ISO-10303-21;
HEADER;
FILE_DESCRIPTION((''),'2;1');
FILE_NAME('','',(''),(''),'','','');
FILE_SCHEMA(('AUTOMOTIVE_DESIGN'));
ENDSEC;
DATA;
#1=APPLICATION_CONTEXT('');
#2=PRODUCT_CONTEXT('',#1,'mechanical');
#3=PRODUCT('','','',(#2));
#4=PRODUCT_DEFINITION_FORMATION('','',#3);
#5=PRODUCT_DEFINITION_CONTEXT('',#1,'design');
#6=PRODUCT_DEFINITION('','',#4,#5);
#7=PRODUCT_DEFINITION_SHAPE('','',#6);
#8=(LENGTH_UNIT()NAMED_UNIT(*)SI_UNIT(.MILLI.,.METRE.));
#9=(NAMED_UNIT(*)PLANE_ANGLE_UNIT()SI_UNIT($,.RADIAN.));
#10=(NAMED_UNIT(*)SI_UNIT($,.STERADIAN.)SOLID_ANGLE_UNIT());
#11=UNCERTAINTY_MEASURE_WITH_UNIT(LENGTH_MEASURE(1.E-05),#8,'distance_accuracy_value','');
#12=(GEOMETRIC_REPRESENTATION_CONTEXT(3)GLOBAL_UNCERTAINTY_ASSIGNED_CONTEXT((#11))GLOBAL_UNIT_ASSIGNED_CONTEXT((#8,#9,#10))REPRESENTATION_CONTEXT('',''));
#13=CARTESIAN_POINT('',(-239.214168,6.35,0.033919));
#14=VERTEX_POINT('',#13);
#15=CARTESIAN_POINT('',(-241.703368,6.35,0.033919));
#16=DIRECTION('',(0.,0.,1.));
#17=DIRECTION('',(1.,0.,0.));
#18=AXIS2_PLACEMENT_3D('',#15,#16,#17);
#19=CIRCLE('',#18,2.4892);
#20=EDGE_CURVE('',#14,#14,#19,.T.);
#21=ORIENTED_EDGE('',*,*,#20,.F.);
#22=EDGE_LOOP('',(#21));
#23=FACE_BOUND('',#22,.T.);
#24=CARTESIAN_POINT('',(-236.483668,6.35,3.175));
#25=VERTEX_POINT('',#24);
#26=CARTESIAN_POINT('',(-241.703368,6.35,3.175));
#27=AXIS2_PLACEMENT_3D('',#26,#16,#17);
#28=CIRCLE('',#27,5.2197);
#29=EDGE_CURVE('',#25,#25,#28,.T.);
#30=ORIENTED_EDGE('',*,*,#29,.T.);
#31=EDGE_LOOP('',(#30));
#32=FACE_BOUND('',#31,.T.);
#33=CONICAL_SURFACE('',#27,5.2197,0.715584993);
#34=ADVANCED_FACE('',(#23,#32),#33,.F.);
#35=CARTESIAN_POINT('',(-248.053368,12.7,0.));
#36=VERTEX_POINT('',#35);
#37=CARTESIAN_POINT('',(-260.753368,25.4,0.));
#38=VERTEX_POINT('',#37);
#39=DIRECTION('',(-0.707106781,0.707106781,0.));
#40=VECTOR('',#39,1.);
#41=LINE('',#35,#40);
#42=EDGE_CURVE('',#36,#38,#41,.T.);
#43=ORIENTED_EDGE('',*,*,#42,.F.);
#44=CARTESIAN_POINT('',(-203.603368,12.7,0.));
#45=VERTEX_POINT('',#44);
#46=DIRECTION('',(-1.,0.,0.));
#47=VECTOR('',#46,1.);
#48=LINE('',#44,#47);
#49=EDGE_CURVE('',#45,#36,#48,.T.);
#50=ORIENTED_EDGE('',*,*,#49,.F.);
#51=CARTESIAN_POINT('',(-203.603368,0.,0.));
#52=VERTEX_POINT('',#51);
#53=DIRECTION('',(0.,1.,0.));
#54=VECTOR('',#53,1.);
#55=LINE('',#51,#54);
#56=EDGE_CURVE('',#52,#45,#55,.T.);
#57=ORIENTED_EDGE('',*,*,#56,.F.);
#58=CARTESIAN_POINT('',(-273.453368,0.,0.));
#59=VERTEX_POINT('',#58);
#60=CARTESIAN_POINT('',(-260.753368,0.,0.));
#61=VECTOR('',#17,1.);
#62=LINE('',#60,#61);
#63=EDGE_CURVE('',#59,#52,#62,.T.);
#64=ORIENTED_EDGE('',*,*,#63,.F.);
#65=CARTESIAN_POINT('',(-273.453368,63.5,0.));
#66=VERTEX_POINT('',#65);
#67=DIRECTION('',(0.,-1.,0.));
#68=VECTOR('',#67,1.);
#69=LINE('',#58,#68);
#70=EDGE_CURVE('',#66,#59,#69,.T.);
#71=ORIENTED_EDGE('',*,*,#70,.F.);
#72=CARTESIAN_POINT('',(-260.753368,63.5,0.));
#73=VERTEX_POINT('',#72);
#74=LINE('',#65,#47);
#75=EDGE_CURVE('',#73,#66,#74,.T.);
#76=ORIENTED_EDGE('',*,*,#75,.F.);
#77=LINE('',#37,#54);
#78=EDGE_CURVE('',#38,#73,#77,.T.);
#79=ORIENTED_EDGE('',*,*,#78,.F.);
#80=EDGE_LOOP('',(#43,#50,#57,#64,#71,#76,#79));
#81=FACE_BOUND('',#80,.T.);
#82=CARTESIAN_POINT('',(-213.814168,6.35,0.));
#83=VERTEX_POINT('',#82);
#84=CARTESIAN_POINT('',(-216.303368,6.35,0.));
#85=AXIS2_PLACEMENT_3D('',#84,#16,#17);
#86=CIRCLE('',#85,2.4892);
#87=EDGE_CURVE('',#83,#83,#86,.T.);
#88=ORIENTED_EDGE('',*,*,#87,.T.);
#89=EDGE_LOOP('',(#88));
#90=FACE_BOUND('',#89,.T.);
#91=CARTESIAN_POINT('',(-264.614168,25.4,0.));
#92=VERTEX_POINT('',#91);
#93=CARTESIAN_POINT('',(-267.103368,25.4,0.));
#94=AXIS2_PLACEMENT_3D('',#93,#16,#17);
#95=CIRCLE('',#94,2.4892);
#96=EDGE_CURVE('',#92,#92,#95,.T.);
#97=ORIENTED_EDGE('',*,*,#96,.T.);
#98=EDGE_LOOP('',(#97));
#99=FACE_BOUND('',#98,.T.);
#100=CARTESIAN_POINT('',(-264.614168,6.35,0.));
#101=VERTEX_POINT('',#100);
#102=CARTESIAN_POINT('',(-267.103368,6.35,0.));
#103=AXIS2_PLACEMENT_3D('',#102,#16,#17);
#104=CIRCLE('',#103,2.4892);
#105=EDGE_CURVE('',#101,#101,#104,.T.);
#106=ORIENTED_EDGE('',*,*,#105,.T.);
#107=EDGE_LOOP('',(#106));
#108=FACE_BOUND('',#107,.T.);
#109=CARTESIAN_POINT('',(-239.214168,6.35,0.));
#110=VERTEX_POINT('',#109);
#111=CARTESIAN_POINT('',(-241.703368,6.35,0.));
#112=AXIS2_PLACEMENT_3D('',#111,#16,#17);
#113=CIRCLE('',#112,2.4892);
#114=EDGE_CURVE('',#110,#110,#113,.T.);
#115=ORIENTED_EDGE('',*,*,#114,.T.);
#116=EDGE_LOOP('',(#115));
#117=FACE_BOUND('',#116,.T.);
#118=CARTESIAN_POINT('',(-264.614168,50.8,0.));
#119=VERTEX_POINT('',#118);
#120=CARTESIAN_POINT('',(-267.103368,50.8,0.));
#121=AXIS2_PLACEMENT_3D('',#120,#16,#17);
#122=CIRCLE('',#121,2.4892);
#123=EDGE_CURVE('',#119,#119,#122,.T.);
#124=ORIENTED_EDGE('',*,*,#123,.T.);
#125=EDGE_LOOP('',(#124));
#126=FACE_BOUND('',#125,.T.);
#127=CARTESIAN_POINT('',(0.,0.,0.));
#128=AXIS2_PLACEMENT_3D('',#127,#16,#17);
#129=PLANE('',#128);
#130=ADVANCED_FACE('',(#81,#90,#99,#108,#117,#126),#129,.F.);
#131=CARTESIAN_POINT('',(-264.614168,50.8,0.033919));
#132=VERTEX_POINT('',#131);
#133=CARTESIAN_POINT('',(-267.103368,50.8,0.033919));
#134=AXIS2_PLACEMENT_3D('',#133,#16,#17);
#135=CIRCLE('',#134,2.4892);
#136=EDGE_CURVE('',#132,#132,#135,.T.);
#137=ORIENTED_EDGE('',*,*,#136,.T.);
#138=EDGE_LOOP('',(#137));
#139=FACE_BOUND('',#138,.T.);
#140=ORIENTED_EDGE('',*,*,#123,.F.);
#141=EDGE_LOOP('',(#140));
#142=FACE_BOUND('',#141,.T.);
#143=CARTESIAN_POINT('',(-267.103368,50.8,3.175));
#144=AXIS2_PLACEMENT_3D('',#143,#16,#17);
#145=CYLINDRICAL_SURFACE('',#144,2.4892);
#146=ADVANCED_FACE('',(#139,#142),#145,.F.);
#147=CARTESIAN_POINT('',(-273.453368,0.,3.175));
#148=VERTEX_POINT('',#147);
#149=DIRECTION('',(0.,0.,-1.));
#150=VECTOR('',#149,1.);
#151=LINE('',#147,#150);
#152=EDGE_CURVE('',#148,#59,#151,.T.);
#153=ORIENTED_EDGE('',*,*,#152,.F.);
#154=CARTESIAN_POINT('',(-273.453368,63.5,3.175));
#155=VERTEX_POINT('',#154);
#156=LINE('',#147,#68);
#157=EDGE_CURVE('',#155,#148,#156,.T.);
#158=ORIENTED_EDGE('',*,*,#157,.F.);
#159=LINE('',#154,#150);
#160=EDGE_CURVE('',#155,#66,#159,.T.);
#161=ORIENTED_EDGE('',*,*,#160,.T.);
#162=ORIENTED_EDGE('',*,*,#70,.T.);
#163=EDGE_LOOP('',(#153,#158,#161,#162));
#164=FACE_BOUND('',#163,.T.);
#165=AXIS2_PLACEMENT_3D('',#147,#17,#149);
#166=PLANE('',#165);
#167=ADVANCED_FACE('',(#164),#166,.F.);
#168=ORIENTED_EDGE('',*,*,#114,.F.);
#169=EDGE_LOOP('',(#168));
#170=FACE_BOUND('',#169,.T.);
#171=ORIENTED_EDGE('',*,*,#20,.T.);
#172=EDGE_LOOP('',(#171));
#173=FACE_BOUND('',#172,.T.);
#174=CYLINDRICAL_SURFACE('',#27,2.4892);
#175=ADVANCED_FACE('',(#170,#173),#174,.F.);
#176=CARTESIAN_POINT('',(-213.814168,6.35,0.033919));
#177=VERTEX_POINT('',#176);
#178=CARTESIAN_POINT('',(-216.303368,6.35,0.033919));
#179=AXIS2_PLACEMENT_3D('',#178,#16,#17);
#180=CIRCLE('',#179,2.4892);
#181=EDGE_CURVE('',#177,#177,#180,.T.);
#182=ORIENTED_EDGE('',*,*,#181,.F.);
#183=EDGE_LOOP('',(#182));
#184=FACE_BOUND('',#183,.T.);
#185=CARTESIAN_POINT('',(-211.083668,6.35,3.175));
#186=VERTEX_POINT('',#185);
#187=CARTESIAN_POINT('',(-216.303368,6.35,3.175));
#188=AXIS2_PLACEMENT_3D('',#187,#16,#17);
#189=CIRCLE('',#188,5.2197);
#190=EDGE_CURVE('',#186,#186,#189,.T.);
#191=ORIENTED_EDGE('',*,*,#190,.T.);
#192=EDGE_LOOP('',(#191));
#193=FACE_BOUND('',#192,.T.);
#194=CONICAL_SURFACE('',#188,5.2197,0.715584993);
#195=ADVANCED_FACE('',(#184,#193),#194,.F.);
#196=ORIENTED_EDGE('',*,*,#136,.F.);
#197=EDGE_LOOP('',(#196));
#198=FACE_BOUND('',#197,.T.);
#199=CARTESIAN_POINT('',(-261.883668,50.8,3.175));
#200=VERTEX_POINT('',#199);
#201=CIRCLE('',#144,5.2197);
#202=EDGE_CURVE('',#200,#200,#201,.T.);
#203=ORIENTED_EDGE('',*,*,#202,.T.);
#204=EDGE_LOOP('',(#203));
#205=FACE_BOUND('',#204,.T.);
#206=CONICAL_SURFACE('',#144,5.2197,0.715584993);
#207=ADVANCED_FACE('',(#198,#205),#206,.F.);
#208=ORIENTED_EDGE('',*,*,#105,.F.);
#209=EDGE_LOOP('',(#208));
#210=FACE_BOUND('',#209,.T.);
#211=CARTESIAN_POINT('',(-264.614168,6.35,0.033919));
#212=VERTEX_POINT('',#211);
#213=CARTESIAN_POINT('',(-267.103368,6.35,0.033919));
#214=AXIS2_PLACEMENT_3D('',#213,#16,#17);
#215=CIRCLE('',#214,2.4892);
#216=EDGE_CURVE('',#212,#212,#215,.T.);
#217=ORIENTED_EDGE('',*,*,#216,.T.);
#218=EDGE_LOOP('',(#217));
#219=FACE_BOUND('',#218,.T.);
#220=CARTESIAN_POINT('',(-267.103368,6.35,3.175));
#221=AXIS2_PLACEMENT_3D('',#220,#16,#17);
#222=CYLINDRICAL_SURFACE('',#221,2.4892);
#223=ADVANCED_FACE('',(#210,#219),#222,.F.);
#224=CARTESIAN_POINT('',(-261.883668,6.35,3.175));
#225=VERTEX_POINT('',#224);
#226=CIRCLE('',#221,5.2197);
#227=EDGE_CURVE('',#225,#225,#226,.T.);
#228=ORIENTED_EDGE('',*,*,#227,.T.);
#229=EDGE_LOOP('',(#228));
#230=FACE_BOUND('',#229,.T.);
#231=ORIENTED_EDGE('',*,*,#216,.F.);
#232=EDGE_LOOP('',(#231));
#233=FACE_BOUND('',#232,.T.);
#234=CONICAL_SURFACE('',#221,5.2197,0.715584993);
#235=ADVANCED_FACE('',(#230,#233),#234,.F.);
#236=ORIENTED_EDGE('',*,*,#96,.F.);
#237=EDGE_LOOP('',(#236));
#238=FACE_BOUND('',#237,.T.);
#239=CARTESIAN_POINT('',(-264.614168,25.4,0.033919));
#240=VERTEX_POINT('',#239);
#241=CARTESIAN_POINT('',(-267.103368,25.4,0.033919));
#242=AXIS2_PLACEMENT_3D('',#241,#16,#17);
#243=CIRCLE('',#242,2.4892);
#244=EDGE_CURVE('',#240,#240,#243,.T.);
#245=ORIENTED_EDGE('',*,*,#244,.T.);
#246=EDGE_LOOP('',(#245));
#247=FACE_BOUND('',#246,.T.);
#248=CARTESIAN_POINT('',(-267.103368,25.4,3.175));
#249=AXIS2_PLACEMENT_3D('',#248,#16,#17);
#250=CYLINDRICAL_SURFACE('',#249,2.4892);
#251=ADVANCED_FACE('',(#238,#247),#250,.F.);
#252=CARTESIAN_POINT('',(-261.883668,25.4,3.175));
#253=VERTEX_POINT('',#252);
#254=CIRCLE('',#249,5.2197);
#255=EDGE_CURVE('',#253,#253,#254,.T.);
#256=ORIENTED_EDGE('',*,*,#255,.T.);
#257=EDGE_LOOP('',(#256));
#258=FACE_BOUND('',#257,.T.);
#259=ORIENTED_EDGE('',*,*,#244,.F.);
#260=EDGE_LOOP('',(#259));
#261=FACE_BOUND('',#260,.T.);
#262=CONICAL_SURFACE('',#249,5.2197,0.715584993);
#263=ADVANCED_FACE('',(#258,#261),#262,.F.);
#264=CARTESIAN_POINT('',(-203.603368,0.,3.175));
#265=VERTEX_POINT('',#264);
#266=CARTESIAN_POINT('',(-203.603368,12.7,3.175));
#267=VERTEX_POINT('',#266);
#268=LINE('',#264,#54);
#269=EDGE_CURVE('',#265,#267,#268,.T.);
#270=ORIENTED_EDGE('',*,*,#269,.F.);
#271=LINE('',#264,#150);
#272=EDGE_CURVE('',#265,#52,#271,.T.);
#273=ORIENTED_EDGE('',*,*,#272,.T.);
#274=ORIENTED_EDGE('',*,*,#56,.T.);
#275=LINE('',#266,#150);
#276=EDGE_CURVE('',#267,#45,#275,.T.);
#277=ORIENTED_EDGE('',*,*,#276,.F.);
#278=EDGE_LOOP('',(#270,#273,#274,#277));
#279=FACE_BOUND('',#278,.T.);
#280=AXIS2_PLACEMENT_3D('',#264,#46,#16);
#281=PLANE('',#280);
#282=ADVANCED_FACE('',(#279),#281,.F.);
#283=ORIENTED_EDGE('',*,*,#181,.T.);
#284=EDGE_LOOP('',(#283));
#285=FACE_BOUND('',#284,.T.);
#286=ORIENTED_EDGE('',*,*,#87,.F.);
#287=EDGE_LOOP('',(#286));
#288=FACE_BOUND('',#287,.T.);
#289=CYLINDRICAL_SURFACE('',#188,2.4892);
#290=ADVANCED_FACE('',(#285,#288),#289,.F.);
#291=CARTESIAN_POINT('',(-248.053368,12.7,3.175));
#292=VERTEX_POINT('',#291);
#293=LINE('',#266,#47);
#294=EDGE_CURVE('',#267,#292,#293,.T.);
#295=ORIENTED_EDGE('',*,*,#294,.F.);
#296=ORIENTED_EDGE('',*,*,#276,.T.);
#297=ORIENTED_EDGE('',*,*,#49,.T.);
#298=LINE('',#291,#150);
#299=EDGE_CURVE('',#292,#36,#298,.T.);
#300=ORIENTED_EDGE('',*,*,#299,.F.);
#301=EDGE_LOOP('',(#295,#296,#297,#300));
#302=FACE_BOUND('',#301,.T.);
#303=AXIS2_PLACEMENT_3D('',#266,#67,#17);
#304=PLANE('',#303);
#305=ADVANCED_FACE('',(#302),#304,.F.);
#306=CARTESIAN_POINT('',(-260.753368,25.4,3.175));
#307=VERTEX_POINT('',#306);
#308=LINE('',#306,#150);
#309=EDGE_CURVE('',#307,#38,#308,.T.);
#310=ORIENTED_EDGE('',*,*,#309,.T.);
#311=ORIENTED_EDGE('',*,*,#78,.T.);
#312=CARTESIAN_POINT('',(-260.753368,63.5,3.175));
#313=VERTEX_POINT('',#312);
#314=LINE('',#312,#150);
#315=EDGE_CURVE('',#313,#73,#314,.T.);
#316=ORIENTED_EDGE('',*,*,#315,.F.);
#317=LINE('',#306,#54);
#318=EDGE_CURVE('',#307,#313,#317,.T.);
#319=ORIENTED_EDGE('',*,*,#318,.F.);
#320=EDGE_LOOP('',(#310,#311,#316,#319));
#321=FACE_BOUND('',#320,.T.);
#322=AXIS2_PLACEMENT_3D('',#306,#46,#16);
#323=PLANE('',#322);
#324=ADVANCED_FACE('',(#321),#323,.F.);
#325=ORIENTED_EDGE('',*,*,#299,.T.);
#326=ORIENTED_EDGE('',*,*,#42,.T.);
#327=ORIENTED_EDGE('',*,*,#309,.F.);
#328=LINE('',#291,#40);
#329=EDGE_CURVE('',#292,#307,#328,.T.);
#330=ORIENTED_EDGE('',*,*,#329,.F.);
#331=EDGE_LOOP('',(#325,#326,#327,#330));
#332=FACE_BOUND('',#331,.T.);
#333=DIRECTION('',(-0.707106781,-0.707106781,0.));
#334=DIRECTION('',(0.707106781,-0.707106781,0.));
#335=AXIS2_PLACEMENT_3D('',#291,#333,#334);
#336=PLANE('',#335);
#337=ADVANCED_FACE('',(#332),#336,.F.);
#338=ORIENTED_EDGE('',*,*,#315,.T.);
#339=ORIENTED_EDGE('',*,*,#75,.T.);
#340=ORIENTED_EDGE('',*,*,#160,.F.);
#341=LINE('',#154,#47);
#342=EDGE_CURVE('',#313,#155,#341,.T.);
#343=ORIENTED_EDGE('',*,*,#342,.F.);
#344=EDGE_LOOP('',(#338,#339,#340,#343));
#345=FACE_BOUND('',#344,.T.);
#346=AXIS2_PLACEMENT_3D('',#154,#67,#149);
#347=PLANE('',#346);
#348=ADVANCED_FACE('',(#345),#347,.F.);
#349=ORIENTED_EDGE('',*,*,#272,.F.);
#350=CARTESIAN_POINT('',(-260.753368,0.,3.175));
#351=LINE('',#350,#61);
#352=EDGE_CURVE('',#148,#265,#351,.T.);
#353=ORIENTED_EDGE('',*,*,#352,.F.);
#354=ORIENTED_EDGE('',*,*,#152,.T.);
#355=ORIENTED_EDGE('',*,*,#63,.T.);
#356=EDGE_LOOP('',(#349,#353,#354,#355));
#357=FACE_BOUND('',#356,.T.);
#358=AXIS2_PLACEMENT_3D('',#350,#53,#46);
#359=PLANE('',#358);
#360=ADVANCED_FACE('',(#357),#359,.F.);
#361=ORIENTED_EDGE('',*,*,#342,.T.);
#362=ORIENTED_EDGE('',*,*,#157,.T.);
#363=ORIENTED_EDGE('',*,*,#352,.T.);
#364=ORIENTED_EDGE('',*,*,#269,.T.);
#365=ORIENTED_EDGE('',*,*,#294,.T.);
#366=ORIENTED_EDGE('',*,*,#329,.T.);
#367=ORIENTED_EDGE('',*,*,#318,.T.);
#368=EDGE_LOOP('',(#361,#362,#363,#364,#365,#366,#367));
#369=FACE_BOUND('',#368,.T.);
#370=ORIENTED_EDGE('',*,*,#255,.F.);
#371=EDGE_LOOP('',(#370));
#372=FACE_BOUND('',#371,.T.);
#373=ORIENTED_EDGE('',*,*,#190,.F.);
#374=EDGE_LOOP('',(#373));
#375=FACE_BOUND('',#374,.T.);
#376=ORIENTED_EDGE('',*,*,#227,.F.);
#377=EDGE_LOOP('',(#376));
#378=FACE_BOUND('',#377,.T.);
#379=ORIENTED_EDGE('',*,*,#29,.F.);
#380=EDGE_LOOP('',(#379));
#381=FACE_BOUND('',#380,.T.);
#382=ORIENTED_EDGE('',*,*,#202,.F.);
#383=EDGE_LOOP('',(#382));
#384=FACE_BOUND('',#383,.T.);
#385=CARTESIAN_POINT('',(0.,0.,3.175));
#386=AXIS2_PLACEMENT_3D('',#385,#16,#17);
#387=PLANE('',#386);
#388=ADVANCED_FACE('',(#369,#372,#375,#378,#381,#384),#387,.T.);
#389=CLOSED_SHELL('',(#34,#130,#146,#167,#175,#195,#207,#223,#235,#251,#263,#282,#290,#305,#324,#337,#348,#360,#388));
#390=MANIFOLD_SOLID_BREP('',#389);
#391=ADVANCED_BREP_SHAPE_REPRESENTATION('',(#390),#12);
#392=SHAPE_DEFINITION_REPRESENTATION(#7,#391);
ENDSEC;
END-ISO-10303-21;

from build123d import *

# Parameters (mm, degrees)
BOSS_EXTRUDE1_DEPTH             = 3.175
F_10_CLEARANCE_HOLE1_AT_2_COUNT = 2
F_10_CLEARANCE_HOLE1_AT_2_PITCH = 19.05
F_10_CLEARANCE_HOLE1_AT_3_COUNT = 2
F_10_CLEARANCE_HOLE1_AT_3_PITCH = 44.45
F_10_CLEARANCE_HOLE1_AT_4_COUNT = 2
F_10_CLEARANCE_HOLE1_AT_4_PITCH = 25.4
F_10_CLEARANCE_HOLE1_AT_5_COUNT = 2
F_10_CLEARANCE_HOLE1_AT_5_PITCH = 50.8


with BuildPart() as part:
    # Sketch1 → Boss-Extrude1 (new body)
    with BuildSketch(Plane.XY):
        Polygon((-260.753367516, 0), (-273.453367516, 0), (-273.453367516, 63.5), (-260.753367516, 63.5), (-260.753367516, 25.4), (-248.053367516, 12.7), (-203.603367516, 12.7), (-203.603367516, 0), align=None)
    extrude(amount=BOSS_EXTRUDE1_DEPTH)

    # Sketch4 → #10 Clearance Hole1 (revolve, cut)
    with BuildSketch(Plane(origin=(-267.103367516, 6.35, 3.175), x_dir=(0, -1, 0), z_dir=(1, 0, 0))):
        Polygon((0, 0), (0, 3.175), (2.4892, 3.175), (2.4892, 3.141080936), (5.2197, 0), align=None)
    f_10_clearance_hole1 = revolve(axis=Axis((-267.103367516, 6.35, 9.525), (0, 0, -1)), mode=Mode.SUBTRACT)

    # #10 Clearance Hole1 at 2: #10 Clearance Hole1 ×2
    with Locations(*[(0, i * F_10_CLEARANCE_HOLE1_AT_2_PITCH, 0) for i in range(1, F_10_CLEARANCE_HOLE1_AT_2_COUNT)]):
        add(f_10_clearance_hole1, mode=Mode.SUBTRACT)

    # #10 Clearance Hole1 at 3: #10 Clearance Hole1 ×2
    with Locations(*[(0, i * F_10_CLEARANCE_HOLE1_AT_3_PITCH, 0) for i in range(1, F_10_CLEARANCE_HOLE1_AT_3_COUNT)]):
        add(f_10_clearance_hole1, mode=Mode.SUBTRACT)

    # #10 Clearance Hole1 at 4: #10 Clearance Hole1 ×2
    with Locations(*[(i * F_10_CLEARANCE_HOLE1_AT_4_PITCH, 0, 0) for i in range(1, F_10_CLEARANCE_HOLE1_AT_4_COUNT)]):
        add(f_10_clearance_hole1, mode=Mode.SUBTRACT)

    # #10 Clearance Hole1 at 5: #10 Clearance Hole1 ×2
    with Locations(*[(i * F_10_CLEARANCE_HOLE1_AT_5_PITCH, 0, 0) for i in range(1, F_10_CLEARANCE_HOLE1_AT_5_COUNT)]):
        add(f_10_clearance_hole1, mode=Mode.SUBTRACT)


solid = part.part
